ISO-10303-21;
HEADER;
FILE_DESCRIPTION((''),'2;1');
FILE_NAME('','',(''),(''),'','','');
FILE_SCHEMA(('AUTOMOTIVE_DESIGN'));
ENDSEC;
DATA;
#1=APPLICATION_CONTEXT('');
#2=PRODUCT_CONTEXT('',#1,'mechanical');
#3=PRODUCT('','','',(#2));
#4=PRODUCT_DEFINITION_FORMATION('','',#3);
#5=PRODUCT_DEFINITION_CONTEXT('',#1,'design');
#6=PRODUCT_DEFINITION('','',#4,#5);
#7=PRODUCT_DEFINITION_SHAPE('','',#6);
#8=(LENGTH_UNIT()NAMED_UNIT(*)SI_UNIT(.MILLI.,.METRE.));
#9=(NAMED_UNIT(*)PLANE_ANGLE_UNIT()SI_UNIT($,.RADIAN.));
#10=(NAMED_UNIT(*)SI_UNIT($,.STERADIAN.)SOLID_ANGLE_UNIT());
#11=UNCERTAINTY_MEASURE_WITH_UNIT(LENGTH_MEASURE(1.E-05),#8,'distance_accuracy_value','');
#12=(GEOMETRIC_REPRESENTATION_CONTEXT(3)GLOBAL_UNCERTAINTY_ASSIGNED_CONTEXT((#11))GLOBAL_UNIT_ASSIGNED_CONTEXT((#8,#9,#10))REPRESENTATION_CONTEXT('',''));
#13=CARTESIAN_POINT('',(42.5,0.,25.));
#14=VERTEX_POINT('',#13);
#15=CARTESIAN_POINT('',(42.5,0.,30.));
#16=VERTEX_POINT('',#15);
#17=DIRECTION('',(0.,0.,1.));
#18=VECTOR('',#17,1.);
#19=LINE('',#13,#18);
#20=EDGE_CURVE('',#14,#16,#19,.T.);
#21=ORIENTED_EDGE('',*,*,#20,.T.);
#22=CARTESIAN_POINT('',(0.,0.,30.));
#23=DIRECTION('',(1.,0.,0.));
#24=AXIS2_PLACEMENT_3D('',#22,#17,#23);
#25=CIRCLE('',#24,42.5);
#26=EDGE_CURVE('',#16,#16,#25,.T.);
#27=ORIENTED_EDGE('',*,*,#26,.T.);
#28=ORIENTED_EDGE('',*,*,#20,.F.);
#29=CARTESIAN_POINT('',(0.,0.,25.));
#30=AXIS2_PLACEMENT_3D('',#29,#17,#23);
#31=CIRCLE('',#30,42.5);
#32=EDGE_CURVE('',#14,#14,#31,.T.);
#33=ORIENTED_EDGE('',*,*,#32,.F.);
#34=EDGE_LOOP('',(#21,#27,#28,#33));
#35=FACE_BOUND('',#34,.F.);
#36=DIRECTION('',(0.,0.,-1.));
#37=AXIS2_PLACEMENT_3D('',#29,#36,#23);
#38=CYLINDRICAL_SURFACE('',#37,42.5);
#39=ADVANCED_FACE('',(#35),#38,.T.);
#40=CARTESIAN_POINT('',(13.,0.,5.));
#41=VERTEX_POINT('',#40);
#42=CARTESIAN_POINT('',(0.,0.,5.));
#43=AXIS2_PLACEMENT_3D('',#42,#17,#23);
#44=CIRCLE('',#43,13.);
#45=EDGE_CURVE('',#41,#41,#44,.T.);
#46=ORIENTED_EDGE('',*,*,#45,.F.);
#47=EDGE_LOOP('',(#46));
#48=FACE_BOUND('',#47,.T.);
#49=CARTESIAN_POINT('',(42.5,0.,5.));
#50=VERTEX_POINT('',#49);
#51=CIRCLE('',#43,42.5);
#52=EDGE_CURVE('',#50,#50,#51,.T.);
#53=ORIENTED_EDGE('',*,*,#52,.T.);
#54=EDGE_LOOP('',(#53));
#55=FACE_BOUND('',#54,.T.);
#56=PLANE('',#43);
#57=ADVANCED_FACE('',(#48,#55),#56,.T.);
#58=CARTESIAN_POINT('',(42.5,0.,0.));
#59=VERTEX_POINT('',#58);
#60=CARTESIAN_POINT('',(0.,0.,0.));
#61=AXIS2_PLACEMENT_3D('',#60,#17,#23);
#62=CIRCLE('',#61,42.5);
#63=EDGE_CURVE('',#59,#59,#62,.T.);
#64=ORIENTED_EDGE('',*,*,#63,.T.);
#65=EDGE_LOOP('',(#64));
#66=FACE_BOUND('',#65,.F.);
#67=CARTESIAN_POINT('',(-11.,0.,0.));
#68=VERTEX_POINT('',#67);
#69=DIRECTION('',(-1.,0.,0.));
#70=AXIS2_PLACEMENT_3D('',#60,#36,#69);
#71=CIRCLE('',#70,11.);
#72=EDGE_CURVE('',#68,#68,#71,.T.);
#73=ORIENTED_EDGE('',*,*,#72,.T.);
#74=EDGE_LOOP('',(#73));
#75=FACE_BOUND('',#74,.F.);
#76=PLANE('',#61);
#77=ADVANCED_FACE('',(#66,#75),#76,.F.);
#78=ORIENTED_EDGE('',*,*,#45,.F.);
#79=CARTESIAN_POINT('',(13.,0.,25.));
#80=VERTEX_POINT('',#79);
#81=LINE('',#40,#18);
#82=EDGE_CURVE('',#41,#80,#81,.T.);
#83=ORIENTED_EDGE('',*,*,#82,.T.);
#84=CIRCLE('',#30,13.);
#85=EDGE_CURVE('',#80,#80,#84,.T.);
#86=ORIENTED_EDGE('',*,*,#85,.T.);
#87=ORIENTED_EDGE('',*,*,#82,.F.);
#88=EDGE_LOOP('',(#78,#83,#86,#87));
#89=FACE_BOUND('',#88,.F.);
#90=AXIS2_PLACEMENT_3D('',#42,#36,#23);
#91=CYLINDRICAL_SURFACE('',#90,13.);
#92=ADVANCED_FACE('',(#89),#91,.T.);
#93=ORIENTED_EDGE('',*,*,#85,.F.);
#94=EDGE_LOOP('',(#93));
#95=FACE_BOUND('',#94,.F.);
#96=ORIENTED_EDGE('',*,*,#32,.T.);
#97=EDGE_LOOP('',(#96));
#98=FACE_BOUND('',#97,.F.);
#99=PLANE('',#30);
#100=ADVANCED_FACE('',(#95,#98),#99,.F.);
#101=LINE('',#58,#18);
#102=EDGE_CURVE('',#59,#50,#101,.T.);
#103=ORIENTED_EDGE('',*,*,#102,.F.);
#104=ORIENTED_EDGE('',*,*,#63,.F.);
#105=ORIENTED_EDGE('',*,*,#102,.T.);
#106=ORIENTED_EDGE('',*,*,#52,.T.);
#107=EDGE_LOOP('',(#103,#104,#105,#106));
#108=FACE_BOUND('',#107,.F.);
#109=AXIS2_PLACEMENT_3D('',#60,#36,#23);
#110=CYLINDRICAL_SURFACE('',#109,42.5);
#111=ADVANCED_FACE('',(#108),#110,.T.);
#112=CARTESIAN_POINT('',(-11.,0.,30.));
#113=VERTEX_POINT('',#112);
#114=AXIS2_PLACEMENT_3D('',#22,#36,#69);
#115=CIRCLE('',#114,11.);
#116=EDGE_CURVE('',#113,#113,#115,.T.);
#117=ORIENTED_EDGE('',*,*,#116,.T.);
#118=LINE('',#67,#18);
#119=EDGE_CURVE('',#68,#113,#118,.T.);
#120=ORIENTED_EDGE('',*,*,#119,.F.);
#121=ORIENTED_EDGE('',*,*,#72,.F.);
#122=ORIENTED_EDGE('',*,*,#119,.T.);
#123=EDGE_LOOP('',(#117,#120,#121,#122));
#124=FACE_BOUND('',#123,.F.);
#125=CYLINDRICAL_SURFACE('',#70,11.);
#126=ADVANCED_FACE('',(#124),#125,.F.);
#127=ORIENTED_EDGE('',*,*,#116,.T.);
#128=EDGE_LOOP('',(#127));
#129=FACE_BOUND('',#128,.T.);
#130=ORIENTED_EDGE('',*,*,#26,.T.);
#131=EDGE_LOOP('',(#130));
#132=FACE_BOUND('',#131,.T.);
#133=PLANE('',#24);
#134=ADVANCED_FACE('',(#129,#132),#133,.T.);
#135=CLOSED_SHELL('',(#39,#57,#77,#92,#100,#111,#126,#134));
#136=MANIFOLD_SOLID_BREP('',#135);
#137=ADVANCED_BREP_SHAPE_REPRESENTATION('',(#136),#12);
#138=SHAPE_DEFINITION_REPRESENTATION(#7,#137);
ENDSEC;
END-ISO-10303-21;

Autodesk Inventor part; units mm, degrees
ref_plane "YZ Plane" through (0, 0, 0) normal (1, 0, 0) x (0, 1, 0)
ref_plane "XZ Plane" through (0, 0, 0) normal (0, 1, 0) x (-1, 0, 0)
ref_plane "XY Plane" through (0, 0, 0) normal (0, 0, 1) x (1, 0, 0)
sketch "Sketch1" plane through (0, 0, 0) normal (0, 0, 1) x (1, 0, 0)
  circle A0 centre (0, 0) radius 42.5
  dimension "d0" = 85
extrude "Extrusion1" add sketch "Sketch1" along normal blind 5
sketch "Sketch2" plane through (0, 0, 5) normal (0, 0, 1) x (1, 0, 0)
  circle A0 centre (0, 0) radius 13
  dimension "d3" = 26
extrude "Extrusion2" add sketch "Sketch2" along normal blind 20
sketch "Sketch3" plane through (0, 0, 25) normal (0, 0, 1) x (1, 0, 0)
  circle A0 centre (0, 0) radius 42.5
  dimension "d6" = 85
extrude "Extrusion3" add sketch "Sketch3" along normal blind 5
sketch "Sketch4" plane through (0, 0, 0) normal (0, 0, -1) x (-1, 0, 0)
  circle A0 centre (0, 0) radius 11
  dimension "d9" = 22
extrude "Extrusion4" cut sketch "Sketch4" against normal through all
properties part number "wire_spool_holder"
